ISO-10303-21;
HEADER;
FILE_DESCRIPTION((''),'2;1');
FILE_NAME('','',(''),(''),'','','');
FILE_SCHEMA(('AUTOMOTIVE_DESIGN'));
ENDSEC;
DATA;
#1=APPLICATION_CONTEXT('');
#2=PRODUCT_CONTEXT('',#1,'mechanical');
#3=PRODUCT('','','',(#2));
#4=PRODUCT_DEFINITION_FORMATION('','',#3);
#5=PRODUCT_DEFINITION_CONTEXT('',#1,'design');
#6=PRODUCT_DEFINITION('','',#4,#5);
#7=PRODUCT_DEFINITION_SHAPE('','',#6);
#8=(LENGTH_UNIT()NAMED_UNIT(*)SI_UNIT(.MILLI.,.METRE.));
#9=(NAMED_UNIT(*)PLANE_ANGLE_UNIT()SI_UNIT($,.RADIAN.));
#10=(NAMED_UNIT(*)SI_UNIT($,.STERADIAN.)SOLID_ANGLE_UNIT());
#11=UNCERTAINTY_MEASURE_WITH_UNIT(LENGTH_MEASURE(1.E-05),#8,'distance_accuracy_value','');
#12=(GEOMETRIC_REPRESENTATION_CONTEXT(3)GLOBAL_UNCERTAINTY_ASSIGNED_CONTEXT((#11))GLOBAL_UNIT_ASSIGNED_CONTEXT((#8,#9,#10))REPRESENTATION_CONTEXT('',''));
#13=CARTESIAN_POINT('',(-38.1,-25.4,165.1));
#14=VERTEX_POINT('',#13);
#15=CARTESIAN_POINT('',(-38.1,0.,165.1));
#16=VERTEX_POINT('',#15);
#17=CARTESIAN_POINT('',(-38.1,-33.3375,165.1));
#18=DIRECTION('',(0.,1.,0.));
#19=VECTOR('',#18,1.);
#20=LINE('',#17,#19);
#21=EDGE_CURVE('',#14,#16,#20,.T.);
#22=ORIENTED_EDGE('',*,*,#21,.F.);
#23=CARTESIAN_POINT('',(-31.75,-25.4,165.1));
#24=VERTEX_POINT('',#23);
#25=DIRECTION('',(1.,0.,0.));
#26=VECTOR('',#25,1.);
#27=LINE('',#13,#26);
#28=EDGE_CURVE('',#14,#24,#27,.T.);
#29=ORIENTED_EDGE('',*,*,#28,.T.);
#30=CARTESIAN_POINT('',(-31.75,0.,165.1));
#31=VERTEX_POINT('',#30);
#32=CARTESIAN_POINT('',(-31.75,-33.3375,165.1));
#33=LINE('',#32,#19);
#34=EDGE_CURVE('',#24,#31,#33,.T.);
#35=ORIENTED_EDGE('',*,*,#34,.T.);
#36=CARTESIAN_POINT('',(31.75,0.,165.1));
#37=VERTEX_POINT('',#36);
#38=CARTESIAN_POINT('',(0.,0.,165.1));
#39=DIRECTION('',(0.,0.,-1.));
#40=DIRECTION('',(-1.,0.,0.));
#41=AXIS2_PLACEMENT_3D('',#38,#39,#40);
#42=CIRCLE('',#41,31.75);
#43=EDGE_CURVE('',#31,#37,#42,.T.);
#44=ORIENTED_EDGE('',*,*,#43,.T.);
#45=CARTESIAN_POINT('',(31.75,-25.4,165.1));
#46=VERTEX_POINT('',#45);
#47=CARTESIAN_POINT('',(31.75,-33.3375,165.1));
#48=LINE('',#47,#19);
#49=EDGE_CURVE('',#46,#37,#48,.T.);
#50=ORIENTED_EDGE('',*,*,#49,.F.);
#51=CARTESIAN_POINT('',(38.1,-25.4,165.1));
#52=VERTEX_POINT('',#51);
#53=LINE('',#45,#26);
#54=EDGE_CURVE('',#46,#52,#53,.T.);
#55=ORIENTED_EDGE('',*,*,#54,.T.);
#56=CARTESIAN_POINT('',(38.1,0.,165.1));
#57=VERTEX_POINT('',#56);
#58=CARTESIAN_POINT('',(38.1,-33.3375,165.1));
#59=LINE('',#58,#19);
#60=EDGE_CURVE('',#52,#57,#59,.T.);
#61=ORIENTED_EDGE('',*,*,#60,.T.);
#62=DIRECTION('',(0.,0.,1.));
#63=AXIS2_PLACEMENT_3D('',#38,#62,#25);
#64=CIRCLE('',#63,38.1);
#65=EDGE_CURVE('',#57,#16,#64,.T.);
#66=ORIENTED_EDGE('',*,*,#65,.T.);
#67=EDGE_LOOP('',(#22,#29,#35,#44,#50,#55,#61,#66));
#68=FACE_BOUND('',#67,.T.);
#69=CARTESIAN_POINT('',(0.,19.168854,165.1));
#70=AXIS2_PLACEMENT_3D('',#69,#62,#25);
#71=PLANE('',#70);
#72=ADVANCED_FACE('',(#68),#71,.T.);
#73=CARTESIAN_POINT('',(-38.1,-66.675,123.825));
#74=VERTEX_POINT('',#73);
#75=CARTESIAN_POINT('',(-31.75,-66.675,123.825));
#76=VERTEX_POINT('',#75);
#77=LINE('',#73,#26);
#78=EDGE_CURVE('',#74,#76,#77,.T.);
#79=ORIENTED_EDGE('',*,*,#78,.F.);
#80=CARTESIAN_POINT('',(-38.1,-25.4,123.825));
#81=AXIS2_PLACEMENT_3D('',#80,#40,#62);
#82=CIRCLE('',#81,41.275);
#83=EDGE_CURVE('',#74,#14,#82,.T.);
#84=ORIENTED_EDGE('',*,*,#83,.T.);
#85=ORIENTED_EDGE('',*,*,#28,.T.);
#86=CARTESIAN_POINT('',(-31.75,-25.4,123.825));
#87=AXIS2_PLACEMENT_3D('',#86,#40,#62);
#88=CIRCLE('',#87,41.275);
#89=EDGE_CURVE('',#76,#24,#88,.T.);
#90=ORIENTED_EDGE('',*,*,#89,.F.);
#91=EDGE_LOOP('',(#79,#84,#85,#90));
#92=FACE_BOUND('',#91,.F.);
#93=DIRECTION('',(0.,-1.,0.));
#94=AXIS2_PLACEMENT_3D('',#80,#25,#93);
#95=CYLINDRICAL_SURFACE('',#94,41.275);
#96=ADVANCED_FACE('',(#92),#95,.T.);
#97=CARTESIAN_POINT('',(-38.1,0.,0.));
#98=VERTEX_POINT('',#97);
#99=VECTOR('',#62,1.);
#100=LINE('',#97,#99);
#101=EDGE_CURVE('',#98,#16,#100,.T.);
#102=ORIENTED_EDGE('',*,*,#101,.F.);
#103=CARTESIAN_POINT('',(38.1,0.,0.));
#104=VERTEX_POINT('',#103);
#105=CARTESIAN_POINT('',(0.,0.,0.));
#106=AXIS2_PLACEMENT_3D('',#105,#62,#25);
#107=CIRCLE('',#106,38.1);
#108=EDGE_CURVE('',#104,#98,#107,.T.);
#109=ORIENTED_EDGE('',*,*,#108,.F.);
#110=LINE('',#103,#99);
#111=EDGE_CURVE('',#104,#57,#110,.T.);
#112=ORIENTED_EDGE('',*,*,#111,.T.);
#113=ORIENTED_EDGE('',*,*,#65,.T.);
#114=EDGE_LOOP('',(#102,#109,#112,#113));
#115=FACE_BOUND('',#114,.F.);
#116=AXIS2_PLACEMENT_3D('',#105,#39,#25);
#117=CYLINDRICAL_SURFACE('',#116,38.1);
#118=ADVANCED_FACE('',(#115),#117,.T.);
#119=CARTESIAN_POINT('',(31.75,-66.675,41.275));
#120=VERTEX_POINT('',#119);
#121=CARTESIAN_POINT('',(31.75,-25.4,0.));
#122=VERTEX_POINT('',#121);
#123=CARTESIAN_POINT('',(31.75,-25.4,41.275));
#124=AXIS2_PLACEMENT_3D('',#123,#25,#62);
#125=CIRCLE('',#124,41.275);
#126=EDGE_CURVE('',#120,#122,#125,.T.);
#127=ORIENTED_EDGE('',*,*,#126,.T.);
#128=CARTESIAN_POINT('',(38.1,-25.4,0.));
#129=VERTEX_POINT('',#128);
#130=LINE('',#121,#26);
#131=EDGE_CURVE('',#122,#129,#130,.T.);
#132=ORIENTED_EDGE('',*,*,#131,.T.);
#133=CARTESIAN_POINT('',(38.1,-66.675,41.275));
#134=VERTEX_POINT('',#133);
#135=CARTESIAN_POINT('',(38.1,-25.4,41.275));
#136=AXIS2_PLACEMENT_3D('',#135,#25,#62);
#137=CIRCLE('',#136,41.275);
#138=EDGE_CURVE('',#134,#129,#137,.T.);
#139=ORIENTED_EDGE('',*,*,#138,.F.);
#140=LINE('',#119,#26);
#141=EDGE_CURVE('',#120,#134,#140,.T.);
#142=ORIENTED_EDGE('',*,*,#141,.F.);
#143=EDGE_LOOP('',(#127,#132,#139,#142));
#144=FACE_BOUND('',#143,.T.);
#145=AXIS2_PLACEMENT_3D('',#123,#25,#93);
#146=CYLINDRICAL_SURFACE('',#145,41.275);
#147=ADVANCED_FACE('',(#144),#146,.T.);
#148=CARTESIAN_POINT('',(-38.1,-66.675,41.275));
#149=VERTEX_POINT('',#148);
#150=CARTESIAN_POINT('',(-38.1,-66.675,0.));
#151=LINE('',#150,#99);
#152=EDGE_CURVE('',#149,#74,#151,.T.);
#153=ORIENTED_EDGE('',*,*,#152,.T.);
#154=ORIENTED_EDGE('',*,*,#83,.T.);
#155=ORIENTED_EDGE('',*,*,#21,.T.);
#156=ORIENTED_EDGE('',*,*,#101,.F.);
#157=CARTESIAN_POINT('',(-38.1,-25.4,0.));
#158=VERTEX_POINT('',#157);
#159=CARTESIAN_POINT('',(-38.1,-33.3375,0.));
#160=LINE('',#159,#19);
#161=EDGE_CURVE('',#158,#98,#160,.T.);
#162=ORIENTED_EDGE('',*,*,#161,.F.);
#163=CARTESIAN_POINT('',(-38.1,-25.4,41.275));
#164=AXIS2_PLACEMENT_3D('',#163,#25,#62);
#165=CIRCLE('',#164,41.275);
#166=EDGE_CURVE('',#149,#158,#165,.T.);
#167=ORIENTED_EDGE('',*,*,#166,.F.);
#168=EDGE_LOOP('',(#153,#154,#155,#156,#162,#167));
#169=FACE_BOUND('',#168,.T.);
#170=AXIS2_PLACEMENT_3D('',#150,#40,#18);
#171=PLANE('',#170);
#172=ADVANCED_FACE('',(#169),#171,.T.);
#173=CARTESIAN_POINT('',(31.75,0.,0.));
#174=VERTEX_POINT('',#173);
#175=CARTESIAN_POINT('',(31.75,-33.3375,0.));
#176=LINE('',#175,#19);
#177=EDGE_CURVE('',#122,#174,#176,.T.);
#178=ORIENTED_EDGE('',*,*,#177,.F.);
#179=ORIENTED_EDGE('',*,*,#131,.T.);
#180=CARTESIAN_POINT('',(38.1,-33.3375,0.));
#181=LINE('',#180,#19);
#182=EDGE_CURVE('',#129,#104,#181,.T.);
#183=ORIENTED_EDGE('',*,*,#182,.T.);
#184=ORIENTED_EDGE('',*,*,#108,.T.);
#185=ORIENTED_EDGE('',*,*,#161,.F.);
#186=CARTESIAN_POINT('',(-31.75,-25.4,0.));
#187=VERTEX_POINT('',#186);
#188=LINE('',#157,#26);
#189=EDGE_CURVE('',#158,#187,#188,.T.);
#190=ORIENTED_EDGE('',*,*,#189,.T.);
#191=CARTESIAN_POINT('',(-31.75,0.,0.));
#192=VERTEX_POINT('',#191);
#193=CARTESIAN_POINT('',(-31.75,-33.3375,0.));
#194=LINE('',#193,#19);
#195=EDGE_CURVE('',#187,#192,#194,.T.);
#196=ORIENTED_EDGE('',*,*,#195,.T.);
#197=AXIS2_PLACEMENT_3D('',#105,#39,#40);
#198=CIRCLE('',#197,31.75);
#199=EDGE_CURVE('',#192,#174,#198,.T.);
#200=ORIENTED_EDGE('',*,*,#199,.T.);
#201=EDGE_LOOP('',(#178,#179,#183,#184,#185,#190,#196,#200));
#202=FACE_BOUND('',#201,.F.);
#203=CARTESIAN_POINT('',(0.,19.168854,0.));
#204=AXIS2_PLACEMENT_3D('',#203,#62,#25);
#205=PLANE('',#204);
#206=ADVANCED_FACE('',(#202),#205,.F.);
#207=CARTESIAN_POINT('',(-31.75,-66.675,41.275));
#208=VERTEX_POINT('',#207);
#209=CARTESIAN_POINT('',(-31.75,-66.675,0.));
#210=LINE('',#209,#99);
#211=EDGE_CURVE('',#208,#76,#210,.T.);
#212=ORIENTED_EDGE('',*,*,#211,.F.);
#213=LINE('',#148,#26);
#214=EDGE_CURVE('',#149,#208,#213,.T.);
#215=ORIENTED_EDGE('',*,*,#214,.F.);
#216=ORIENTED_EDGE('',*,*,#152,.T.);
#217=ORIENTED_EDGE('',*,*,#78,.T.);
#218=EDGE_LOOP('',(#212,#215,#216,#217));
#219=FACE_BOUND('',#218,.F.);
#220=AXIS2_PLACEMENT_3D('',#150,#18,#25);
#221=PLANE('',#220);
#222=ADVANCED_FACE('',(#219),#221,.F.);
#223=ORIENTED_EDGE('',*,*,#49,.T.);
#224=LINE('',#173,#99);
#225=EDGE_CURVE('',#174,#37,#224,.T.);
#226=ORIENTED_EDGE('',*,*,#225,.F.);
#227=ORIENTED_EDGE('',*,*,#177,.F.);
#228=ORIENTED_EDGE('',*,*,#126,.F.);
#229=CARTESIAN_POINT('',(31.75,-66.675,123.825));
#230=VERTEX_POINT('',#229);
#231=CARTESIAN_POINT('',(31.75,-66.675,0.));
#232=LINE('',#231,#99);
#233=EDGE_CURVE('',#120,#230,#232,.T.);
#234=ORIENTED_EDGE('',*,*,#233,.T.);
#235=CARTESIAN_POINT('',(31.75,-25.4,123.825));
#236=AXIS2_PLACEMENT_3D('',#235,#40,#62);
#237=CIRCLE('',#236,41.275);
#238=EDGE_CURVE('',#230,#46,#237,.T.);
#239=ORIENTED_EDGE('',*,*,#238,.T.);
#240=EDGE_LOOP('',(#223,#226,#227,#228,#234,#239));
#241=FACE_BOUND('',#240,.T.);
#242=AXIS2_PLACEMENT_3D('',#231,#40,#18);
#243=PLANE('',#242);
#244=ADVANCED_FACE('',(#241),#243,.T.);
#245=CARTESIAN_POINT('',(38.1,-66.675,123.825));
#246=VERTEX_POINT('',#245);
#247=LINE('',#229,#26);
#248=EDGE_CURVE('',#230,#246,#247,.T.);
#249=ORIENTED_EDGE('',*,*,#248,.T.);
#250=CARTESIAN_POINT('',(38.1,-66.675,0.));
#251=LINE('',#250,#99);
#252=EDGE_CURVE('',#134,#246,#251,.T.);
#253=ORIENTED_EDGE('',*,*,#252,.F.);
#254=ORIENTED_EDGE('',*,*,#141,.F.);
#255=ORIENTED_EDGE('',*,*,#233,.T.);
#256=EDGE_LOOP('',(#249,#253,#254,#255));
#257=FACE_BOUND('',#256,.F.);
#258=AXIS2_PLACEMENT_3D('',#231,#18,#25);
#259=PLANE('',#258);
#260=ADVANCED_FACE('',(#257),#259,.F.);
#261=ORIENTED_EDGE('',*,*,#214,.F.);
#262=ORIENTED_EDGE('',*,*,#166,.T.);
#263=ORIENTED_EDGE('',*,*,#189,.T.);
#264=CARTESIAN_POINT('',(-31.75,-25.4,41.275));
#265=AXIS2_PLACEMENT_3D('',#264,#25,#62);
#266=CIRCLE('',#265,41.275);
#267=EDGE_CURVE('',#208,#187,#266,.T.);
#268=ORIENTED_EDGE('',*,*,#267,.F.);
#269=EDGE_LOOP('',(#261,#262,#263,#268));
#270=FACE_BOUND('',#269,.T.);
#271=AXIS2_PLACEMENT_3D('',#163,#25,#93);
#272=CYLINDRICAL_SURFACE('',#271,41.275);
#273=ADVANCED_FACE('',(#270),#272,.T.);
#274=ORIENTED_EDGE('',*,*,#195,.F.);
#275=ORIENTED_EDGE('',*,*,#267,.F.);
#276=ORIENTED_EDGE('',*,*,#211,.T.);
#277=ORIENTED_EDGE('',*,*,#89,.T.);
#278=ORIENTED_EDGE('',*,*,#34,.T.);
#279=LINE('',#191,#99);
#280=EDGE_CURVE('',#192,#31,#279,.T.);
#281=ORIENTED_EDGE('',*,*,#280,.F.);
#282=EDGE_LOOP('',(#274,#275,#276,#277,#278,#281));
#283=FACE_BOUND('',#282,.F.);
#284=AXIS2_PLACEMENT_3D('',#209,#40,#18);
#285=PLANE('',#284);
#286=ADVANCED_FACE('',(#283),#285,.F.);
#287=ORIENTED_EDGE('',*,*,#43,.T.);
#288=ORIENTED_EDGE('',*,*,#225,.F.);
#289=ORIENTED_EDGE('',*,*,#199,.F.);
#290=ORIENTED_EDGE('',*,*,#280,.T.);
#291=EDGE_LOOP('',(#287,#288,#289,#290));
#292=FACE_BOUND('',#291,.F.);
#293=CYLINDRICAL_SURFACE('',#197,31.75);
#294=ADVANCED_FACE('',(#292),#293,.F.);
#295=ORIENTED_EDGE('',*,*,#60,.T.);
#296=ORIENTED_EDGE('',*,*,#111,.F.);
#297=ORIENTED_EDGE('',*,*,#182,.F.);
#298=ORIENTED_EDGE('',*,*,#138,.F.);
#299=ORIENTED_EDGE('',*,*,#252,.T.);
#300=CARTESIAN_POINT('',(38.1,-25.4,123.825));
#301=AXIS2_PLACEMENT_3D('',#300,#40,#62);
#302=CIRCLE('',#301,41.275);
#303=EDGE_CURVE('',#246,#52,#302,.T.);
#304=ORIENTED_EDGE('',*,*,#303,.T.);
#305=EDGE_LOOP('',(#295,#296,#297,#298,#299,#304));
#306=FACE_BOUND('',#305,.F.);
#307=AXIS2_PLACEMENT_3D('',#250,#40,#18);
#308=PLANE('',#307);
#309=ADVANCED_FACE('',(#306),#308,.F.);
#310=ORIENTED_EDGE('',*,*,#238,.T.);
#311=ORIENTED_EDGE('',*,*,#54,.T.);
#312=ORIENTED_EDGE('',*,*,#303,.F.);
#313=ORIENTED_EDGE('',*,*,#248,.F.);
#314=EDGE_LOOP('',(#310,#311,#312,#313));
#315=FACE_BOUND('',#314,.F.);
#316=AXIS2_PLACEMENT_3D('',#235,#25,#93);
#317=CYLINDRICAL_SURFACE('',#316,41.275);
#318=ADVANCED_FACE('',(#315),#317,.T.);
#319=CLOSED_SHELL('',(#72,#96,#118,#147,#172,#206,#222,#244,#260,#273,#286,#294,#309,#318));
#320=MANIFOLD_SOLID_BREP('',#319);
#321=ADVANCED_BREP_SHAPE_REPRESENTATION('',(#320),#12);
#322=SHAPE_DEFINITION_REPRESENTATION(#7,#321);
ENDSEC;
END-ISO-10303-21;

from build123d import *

# Parameters (mm, degrees)
F0_W     = 6.35
F0_H     = 66.675
F1_DEPTH = 165.1
F2_R     = 41.275


with BuildPart() as f1:
    # F0 (on Top) → F1 (new body)
    with BuildSketch(Plane.XY):
        with BuildLine():
            Line((31.75, 0), (38.1, 0))
            ThreePointArc((38.1, 0), (0, 38.1), (-38.1, 0))
            Line((-38.1, 0), (-31.75, 0))
            ThreePointArc((-31.75, 0), (0, 31.75), (31.75, 0))
        make_face()
        with Locations((-34.925, -33.3375)):
            Rectangle(F0_W, F0_H)
        with Locations((34.925, -33.3375)):
            Rectangle(F0_W, F0_H)
    extrude(amount=F1_DEPTH)

    # F2
    f2_edges = [f1.edges().sort_by_distance(p)[0] for p in [
        (-34.925, -66.675, 165.1),
        (34.925, -66.675, 165.1),
        (-34.925, -66.675, 0),
        (34.925, -66.675, 0),
    ]]
    fillet(f2_edges, radius=F2_R)


solid = f1.part
